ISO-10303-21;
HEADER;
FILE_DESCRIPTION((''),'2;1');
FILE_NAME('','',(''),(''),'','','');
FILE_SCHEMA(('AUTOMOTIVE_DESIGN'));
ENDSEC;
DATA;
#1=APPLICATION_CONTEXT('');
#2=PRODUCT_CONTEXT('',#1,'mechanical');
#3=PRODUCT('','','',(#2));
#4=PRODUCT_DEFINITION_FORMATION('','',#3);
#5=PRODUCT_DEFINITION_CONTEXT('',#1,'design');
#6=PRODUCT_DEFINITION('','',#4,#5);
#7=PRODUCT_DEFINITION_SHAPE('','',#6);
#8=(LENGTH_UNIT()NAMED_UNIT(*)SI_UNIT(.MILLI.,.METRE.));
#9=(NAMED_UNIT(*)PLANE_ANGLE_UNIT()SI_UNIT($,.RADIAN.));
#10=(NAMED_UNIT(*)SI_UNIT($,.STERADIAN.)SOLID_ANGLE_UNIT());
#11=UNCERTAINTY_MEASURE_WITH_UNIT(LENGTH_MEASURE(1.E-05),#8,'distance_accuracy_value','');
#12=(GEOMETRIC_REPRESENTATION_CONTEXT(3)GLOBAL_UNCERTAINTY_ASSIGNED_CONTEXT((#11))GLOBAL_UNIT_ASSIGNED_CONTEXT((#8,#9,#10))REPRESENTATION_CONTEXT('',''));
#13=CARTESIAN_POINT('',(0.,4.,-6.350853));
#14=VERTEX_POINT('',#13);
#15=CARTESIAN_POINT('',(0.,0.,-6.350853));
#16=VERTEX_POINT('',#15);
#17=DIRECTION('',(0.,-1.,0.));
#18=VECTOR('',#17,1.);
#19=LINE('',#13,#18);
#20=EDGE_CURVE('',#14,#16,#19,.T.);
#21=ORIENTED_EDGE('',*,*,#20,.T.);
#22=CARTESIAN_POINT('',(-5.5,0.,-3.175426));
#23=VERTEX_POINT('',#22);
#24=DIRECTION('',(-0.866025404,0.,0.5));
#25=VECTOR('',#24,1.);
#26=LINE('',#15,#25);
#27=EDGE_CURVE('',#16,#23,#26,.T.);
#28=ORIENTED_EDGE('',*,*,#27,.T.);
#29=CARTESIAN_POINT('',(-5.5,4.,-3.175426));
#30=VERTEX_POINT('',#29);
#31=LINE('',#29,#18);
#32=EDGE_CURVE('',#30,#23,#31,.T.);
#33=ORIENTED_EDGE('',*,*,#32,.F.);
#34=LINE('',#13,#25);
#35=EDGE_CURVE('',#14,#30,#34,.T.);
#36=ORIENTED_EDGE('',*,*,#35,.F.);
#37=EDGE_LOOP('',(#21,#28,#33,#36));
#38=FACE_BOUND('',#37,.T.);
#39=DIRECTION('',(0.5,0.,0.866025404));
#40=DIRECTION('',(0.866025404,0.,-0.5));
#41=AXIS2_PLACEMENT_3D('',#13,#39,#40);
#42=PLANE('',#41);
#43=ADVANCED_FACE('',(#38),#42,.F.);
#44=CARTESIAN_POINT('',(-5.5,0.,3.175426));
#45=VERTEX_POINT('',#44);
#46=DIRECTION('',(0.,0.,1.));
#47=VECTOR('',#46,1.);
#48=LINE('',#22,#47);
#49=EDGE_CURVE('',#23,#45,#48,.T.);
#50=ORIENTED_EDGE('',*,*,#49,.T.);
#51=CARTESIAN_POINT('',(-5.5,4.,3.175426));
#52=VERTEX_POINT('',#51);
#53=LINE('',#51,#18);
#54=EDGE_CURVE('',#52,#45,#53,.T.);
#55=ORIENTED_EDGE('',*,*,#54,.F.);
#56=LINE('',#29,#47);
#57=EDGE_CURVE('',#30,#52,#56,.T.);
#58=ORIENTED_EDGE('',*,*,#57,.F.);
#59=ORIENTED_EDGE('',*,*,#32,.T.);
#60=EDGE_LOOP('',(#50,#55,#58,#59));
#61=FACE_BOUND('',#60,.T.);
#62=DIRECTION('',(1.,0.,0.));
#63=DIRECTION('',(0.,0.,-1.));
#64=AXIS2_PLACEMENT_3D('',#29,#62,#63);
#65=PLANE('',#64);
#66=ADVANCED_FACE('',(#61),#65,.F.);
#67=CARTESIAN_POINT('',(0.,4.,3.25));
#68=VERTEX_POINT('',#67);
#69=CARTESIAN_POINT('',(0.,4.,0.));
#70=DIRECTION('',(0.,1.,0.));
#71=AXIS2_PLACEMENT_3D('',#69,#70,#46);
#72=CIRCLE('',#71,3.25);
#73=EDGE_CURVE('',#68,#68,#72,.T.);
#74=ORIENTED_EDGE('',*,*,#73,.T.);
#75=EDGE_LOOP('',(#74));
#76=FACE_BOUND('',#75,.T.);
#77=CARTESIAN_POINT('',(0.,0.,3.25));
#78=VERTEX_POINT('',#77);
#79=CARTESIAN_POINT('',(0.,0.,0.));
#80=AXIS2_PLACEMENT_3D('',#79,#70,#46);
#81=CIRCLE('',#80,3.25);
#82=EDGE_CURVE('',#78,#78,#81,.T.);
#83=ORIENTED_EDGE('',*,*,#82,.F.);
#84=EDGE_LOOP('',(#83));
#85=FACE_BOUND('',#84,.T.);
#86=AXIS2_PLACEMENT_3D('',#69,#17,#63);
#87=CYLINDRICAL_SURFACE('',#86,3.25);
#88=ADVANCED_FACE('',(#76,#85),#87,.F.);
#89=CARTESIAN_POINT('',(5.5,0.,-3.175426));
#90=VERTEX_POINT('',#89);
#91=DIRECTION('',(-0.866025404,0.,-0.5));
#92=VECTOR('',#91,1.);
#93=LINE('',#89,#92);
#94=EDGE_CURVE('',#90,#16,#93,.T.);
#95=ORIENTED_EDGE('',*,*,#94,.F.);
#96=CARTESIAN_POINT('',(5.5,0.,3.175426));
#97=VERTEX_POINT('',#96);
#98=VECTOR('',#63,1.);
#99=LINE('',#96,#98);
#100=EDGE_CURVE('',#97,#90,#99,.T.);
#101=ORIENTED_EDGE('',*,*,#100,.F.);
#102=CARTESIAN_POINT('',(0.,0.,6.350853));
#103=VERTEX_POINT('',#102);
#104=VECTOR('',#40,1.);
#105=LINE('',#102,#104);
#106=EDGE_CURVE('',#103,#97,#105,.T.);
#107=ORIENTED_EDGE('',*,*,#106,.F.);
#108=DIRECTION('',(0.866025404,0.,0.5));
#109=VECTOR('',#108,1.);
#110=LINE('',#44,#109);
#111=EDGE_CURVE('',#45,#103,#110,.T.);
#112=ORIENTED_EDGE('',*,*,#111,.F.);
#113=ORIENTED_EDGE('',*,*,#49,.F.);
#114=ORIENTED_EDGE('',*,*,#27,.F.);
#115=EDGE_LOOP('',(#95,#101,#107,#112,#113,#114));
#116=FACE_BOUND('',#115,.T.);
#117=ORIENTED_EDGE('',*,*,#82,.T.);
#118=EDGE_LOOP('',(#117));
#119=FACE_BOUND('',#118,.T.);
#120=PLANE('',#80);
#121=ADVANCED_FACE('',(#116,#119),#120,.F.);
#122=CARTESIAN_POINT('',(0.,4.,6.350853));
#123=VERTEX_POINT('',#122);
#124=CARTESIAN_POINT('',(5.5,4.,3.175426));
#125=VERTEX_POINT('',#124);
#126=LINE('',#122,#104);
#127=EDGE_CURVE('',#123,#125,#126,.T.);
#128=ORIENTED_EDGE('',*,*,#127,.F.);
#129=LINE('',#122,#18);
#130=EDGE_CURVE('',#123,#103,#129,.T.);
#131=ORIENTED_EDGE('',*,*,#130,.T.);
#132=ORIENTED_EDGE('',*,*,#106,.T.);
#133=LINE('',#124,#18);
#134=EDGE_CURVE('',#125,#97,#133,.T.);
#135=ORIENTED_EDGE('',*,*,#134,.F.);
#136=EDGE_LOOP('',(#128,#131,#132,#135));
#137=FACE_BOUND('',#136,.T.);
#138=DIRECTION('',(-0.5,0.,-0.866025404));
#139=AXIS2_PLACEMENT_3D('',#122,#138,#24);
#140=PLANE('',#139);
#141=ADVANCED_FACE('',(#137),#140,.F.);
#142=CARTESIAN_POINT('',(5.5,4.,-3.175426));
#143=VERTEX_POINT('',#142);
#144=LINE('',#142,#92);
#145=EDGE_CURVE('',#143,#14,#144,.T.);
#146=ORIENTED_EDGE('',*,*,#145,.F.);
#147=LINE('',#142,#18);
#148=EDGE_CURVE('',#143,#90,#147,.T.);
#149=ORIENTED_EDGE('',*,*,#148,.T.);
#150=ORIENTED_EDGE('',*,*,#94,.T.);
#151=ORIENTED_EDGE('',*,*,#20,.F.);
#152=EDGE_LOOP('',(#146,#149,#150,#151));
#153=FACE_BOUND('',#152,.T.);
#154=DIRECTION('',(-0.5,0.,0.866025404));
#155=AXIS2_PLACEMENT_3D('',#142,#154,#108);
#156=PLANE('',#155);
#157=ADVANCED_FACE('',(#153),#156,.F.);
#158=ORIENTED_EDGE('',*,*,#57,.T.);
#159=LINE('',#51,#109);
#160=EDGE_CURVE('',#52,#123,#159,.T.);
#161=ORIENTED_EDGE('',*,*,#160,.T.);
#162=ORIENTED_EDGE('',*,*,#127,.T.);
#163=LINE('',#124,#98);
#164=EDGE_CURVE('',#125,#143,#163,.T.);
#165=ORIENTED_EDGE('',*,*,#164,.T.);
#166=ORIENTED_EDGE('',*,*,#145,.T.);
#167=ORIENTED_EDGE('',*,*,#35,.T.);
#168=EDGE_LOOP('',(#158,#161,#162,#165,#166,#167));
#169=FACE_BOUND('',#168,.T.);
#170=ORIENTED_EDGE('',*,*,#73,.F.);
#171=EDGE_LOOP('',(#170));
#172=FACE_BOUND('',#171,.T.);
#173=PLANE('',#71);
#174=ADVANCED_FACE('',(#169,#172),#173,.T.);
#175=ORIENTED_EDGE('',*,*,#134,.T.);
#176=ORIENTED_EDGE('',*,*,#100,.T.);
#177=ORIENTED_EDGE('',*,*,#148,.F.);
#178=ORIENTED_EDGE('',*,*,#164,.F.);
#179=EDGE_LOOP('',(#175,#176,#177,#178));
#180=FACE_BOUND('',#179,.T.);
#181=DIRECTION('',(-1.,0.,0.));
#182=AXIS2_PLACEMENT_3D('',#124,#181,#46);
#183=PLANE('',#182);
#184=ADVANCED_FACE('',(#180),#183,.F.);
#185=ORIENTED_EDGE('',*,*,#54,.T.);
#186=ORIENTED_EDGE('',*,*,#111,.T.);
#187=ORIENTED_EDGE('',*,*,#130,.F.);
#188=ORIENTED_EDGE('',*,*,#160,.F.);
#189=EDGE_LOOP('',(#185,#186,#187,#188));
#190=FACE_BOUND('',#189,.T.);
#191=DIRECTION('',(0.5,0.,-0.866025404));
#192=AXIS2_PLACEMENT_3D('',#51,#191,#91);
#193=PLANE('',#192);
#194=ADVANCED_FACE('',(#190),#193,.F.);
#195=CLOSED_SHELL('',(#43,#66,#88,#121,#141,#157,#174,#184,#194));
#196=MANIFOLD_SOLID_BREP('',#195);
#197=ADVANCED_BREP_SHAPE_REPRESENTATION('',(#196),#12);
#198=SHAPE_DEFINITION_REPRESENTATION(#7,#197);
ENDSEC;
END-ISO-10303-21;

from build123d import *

# Parameters (mm, degrees)
SKIZZE1_R                       = 3.25
AUFSATZ_LINEAR_AUSTRAGEN1_DEPTH = 4


with BuildPart() as part:
    # Skizze1 → Aufsatz-Linear austragen1 (new body)
    with BuildSketch(Plane(origin=(0, 0, 0), x_dir=(1, 0, 0), z_dir=(0, 1, 0))):
        Polygon((5.5, 3.175426481), (0, 6.350852961), (-5.5, 3.175426481), (-5.5, -3.175426481), (0, -6.350852961), (5.5, -3.175426481), align=None)
        Circle(SKIZZE1_R, mode=Mode.SUBTRACT)
    extrude(amount=AUFSATZ_LINEAR_AUSTRAGEN1_DEPTH)


solid = part.part
